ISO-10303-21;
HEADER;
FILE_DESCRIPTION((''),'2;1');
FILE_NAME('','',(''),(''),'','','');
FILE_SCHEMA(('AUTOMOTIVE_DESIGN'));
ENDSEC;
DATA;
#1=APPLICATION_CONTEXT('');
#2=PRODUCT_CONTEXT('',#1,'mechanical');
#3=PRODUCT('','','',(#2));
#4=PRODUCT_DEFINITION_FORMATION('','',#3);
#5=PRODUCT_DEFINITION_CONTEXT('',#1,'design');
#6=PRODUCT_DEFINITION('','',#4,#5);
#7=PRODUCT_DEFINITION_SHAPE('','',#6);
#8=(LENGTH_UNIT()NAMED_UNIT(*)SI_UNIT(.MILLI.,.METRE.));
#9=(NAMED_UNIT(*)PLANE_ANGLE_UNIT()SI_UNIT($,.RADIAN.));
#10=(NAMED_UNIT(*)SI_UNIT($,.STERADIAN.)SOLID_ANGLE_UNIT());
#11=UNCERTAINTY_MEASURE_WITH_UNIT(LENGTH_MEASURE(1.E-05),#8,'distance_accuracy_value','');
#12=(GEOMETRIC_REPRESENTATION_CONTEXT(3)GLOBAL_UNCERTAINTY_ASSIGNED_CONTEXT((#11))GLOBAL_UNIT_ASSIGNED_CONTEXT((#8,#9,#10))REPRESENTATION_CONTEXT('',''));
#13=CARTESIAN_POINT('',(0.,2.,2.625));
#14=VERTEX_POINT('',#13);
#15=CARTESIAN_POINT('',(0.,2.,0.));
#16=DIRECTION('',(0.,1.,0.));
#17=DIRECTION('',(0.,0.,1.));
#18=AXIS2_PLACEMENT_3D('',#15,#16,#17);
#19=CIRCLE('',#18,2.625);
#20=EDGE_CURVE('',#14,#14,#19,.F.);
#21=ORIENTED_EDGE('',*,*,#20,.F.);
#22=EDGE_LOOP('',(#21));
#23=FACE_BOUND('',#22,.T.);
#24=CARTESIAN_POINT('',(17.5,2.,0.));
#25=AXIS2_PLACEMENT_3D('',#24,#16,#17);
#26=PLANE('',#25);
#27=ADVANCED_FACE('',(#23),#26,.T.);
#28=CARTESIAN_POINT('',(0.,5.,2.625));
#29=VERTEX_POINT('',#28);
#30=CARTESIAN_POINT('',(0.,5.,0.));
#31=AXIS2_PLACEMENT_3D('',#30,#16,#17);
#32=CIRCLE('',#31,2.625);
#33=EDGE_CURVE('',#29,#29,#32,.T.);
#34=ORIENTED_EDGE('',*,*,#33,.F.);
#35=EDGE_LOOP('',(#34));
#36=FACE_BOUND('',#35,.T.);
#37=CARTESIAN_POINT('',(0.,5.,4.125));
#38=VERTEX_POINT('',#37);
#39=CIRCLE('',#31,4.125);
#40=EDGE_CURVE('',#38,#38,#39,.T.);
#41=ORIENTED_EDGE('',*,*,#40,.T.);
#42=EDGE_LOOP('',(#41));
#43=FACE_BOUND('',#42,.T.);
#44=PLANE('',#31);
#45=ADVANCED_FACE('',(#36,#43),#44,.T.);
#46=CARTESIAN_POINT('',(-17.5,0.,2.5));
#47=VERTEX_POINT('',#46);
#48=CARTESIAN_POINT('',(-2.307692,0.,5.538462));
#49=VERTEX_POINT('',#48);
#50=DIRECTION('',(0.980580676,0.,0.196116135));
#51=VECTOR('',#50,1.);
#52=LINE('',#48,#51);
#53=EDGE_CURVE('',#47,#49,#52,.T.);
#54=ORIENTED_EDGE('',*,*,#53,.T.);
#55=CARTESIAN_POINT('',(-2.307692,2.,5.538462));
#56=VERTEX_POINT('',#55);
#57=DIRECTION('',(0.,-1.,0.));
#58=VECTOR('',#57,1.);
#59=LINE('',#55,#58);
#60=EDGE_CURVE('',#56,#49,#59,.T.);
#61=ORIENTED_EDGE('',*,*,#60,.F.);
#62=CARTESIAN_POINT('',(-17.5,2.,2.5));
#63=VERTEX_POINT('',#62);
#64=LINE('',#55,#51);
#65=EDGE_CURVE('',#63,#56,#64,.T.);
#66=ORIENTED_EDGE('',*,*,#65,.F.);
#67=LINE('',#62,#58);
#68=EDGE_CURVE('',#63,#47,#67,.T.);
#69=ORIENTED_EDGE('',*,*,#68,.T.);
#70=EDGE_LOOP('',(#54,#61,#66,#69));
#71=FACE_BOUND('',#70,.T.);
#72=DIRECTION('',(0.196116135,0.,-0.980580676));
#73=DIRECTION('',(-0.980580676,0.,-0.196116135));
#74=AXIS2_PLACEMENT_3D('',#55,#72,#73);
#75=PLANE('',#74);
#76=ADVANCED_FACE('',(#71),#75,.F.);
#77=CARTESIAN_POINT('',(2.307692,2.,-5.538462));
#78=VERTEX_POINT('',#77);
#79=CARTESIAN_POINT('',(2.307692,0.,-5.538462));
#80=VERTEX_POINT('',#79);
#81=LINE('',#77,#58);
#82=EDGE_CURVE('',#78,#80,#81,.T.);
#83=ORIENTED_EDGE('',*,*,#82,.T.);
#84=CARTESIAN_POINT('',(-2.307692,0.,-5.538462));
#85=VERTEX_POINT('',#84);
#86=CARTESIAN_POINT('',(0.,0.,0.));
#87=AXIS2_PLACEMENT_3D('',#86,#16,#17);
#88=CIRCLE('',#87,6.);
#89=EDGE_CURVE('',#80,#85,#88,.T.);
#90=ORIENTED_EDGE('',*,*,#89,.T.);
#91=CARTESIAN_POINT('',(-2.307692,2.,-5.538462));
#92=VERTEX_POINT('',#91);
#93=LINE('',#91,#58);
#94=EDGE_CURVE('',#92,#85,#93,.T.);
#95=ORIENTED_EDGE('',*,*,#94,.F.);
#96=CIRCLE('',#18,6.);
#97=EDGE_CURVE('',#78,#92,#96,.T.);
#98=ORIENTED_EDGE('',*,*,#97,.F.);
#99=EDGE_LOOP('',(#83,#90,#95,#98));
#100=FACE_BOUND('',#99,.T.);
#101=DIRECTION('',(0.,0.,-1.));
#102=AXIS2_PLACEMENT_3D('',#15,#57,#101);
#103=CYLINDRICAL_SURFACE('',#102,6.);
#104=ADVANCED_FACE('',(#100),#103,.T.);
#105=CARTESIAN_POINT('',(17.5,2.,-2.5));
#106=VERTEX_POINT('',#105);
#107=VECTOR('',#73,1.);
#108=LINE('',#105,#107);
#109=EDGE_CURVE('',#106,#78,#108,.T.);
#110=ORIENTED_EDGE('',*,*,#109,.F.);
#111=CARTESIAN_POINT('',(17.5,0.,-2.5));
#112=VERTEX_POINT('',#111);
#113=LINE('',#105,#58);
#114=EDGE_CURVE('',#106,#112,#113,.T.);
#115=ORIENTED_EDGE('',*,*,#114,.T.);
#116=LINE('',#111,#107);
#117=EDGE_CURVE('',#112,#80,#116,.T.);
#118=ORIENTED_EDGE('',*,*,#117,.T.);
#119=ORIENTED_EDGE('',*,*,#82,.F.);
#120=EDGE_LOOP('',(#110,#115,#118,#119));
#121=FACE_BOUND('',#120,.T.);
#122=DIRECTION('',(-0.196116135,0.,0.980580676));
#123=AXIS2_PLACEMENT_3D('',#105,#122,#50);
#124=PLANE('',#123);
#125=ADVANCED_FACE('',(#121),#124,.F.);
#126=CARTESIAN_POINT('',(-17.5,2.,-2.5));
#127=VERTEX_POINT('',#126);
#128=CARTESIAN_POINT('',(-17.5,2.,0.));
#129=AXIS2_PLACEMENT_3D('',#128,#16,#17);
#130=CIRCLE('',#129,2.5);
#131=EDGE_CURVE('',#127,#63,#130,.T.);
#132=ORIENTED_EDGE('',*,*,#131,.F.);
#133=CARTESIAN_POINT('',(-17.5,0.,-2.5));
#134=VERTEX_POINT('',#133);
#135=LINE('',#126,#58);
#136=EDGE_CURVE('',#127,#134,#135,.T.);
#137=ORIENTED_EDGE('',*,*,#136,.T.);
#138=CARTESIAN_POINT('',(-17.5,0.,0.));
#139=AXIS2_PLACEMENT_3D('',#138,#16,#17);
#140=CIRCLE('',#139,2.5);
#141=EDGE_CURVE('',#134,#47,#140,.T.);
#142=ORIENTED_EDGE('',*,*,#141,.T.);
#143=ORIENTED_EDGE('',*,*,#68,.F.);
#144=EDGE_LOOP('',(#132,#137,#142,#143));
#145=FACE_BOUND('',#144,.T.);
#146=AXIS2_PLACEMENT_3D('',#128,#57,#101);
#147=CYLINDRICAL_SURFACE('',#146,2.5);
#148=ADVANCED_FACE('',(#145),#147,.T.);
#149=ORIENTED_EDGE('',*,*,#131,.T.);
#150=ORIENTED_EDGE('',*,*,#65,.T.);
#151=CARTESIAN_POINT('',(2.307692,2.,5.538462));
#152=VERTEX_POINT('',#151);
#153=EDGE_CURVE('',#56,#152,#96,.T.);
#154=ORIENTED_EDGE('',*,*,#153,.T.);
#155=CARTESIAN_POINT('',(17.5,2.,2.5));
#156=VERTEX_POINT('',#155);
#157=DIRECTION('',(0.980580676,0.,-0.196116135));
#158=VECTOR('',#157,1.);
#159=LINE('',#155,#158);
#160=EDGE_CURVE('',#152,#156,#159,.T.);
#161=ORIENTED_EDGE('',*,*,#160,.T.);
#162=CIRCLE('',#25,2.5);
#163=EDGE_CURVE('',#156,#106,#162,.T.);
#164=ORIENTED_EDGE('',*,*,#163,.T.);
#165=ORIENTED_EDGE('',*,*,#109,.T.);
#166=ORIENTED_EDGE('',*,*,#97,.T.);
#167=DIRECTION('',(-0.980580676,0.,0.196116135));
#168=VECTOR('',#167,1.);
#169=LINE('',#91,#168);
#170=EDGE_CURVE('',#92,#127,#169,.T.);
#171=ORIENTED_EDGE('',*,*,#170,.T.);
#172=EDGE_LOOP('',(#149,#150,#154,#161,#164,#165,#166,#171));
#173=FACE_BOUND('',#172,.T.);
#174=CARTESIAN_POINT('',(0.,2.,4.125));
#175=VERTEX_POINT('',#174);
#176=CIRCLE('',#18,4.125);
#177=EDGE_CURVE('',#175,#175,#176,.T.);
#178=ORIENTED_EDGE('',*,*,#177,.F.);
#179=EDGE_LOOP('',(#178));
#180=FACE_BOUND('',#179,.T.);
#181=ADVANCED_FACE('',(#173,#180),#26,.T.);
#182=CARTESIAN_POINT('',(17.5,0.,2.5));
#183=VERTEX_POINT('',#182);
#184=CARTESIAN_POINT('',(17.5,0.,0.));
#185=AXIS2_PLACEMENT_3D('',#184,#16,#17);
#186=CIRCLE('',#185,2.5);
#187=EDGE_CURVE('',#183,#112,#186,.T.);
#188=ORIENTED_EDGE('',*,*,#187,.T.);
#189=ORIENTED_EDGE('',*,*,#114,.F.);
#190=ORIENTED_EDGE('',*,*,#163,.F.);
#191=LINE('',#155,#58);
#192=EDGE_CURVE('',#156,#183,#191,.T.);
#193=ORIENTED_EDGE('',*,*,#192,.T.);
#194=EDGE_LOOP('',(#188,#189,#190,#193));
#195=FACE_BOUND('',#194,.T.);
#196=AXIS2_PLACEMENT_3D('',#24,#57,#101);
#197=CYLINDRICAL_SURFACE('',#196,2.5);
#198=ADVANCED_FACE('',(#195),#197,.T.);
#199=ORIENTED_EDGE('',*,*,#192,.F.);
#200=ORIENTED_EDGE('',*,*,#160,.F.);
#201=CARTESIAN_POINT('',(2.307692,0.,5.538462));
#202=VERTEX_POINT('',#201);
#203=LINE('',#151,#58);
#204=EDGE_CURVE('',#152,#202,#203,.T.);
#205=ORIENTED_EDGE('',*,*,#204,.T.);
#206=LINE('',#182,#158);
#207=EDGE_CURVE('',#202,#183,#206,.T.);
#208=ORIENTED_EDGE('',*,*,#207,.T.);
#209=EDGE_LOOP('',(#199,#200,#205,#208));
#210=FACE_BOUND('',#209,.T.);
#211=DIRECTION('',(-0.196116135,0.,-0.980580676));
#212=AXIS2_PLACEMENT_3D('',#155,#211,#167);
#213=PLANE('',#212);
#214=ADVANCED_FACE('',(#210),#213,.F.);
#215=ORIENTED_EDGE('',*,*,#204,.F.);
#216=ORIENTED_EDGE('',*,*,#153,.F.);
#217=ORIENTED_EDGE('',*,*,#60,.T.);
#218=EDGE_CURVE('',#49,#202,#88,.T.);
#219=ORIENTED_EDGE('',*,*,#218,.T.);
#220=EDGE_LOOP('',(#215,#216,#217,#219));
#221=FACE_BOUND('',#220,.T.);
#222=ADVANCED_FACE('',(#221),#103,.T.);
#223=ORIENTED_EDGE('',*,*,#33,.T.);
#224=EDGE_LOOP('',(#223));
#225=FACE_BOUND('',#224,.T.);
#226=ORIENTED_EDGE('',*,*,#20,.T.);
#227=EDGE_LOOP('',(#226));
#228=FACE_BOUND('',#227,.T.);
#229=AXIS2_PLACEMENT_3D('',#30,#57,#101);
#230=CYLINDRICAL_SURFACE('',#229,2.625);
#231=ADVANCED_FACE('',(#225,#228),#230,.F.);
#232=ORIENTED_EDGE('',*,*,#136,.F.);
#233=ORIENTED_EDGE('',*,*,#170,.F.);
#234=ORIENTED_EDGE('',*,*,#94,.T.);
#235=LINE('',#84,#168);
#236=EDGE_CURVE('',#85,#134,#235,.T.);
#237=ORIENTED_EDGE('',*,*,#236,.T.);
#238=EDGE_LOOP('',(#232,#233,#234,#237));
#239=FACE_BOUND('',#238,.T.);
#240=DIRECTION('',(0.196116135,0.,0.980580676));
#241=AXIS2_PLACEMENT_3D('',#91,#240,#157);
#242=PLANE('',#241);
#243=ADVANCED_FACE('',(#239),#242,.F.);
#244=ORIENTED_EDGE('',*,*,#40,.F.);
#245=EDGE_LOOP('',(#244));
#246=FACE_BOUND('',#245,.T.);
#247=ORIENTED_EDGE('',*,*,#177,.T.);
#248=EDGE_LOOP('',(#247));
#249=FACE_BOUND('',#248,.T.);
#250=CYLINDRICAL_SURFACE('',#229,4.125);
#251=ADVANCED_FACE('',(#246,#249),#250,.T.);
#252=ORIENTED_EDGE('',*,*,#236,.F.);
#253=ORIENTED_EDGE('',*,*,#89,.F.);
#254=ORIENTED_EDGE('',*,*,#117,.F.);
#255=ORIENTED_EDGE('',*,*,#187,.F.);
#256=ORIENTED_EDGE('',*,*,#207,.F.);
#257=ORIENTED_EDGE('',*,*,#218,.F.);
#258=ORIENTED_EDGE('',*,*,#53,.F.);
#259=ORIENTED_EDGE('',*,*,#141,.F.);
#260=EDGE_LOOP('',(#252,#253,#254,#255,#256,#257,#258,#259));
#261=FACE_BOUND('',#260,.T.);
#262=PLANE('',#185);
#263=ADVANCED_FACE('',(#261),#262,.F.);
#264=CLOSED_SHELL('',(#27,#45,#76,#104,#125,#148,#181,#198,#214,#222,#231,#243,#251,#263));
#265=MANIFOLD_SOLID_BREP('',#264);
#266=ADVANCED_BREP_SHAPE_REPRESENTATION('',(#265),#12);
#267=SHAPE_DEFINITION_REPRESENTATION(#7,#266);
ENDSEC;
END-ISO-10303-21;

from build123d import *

# Parameters (mm, degrees)
BOSS_EXTRUDE1_DEPTH = 2
SKETCH2_R           = 4.125
SKETCH2_R_2         = 2.625
BOSS_EXTRUDE2_DEPTH = 3


with BuildPart() as part:
    # Sketch1 → Boss-Extrude1 (new body)
    with BuildSketch(Plane(origin=(0, 0, 0), x_dir=(1, 0, 0), z_dir=(0, 1, 0))):
        with BuildLine():
            Line((17.5, 2.5), (2.307692308, 5.538461538))
            ThreePointArc((2.307692308, 5.538461538), (0, 6), (-2.307692308, 5.538461538))
            Line((-2.307692308, 5.538461538), (-17.5, 2.5))
            ThreePointArc((-17.5, 2.5), (-20, 0), (-17.5, -2.5))
            Line((-17.5, -2.5), (-2.307692308, -5.538461538))
            ThreePointArc((-2.307692308, -5.538461538), (0, -6), (2.307692308, -5.538461538))
            Line((2.307692308, -5.538461538), (17.5, -2.5))
            ThreePointArc((17.5, -2.5), (20, 0), (17.5, 2.5))
        make_face()
    extrude(amount=BOSS_EXTRUDE1_DEPTH)

    # Sketch2 → Boss-Extrude2 (add)
    with BuildSketch(Plane(origin=(0, 2, 0), x_dir=(1, 0, 0), z_dir=(0, 1, 0))):
        with Locations(Location((0, 0, 0), (0, 0, 270))):
            Circle(SKETCH2_R)
        with Locations(Location((0, 0, 0), (0, 0, 270))):
            Circle(SKETCH2_R_2, mode=Mode.SUBTRACT)
    extrude(amount=BOSS_EXTRUDE2_DEPTH)


solid = part.part
